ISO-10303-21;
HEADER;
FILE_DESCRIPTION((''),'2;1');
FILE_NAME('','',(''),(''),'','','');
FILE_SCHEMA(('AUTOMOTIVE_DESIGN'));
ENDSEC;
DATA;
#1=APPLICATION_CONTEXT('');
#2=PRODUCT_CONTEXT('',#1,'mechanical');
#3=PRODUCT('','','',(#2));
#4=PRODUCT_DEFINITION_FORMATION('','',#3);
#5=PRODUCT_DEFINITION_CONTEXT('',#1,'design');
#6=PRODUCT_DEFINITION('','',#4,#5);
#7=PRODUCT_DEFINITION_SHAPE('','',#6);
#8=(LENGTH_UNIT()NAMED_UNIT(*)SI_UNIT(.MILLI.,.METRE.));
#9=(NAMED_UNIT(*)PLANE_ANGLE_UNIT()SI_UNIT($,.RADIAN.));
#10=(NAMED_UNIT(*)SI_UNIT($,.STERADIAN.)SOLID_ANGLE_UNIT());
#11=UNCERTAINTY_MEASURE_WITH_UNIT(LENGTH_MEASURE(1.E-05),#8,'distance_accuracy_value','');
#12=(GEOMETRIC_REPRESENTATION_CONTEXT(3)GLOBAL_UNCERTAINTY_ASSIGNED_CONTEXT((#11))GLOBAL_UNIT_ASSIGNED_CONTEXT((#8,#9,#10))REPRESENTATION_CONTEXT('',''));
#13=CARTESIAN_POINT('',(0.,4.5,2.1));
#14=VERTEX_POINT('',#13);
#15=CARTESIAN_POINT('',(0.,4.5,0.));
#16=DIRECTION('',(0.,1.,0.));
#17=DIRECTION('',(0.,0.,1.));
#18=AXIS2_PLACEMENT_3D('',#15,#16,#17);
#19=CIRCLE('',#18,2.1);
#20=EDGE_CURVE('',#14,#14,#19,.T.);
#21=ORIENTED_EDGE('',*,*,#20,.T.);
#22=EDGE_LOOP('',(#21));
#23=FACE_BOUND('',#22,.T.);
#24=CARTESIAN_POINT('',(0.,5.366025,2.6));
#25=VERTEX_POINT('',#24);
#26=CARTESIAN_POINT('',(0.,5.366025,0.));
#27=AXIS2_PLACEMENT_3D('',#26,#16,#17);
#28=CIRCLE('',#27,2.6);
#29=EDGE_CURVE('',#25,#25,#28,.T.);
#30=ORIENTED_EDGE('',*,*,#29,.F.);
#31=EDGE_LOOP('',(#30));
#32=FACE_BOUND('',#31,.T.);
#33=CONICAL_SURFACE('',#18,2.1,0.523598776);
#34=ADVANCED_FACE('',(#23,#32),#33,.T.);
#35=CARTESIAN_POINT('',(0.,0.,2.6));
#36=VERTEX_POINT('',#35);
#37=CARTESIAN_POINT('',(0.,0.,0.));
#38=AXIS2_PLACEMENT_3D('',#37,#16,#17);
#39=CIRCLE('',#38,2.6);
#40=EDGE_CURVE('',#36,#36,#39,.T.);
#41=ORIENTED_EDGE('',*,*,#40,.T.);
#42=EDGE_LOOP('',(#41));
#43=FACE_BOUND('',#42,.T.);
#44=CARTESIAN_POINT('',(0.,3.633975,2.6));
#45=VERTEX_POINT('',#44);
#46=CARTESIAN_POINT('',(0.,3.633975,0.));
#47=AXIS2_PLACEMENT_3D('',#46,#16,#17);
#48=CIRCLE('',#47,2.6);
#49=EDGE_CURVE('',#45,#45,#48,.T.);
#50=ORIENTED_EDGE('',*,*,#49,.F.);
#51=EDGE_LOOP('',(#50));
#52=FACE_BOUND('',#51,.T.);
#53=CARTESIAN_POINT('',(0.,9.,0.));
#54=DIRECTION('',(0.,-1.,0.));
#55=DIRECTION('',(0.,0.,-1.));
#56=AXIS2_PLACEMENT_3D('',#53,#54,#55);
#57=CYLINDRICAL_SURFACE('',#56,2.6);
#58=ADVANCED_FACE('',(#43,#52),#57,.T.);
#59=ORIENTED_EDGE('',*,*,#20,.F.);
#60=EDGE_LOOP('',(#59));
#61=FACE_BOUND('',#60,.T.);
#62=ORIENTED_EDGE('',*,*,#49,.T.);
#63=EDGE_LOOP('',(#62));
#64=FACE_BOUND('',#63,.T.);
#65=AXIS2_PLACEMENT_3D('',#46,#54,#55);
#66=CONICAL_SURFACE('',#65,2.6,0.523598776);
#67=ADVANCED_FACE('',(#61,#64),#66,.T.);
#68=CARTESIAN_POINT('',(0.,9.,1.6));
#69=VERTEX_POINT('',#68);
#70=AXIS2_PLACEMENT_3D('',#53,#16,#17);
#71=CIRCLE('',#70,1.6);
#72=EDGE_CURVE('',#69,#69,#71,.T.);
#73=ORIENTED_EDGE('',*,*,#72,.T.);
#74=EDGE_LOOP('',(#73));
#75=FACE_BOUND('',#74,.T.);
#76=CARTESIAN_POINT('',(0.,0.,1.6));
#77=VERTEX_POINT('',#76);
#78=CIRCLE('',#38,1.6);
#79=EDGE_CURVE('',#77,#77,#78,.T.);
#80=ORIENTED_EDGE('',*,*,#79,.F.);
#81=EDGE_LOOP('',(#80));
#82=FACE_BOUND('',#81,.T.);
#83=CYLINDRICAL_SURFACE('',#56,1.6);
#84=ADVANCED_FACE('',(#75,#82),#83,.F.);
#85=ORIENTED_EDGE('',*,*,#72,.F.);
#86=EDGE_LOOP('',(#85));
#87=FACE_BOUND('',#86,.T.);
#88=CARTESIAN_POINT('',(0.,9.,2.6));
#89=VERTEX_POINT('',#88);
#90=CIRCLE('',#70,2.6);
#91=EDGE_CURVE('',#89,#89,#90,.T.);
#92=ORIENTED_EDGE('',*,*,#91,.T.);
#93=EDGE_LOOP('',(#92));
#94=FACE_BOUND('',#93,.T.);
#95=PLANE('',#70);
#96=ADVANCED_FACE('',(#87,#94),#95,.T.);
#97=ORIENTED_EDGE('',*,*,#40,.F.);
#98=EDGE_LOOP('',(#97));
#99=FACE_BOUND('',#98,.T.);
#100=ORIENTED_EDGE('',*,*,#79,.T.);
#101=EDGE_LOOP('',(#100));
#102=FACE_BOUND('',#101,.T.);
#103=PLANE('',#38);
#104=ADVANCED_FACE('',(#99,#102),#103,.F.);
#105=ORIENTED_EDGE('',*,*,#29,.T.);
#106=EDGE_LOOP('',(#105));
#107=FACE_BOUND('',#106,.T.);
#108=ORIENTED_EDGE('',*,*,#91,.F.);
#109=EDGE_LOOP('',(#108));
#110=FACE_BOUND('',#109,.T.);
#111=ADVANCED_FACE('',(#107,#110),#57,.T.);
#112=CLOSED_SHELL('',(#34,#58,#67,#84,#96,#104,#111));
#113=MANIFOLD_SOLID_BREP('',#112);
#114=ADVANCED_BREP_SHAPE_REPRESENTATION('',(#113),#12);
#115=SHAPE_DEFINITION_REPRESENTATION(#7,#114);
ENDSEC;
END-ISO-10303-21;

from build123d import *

# Parameters (mm, degrees)
SKETCH_1_R      = 2.6
SKETCH_1_R_2    = 1.6
EXTRUDE_1_DEPTH = 9


with BuildPart() as part:
    # 草图1 → 凸台-拉伸1 (new body)
    with BuildSketch(Plane(origin=(0, 0, 0), x_dir=(1, 0, 0), z_dir=(0, 1, 0))):
        with Locations(Location((0, 0, 0), (0, 0, 270))):
            Circle(SKETCH_1_R)
        with Locations(Location((0, 0, 0), (0, 0, 270))):
            Circle(SKETCH_1_R_2, mode=Mode.SUBTRACT)
    extrude(amount=EXTRUDE_1_DEPTH)

    # 草图2 → 切除-旋转1 (revolve, cut)
    with BuildSketch(Plane.XY, mode=Mode.PRIVATE) as cut_revolve_1_sk:
        Polygon((-2.6, 5.366025404), (-2.1, 4.5), (-2.6, 3.633974596), align=None)
    revolve(cut_revolve_1_sk.sketch.rotate(Axis((0, 9, 0), (0, -1, 0)), 270), axis=Axis((0, 9, 0), (0, -1, 0)), mode=Mode.SUBTRACT)


solid = part.part
